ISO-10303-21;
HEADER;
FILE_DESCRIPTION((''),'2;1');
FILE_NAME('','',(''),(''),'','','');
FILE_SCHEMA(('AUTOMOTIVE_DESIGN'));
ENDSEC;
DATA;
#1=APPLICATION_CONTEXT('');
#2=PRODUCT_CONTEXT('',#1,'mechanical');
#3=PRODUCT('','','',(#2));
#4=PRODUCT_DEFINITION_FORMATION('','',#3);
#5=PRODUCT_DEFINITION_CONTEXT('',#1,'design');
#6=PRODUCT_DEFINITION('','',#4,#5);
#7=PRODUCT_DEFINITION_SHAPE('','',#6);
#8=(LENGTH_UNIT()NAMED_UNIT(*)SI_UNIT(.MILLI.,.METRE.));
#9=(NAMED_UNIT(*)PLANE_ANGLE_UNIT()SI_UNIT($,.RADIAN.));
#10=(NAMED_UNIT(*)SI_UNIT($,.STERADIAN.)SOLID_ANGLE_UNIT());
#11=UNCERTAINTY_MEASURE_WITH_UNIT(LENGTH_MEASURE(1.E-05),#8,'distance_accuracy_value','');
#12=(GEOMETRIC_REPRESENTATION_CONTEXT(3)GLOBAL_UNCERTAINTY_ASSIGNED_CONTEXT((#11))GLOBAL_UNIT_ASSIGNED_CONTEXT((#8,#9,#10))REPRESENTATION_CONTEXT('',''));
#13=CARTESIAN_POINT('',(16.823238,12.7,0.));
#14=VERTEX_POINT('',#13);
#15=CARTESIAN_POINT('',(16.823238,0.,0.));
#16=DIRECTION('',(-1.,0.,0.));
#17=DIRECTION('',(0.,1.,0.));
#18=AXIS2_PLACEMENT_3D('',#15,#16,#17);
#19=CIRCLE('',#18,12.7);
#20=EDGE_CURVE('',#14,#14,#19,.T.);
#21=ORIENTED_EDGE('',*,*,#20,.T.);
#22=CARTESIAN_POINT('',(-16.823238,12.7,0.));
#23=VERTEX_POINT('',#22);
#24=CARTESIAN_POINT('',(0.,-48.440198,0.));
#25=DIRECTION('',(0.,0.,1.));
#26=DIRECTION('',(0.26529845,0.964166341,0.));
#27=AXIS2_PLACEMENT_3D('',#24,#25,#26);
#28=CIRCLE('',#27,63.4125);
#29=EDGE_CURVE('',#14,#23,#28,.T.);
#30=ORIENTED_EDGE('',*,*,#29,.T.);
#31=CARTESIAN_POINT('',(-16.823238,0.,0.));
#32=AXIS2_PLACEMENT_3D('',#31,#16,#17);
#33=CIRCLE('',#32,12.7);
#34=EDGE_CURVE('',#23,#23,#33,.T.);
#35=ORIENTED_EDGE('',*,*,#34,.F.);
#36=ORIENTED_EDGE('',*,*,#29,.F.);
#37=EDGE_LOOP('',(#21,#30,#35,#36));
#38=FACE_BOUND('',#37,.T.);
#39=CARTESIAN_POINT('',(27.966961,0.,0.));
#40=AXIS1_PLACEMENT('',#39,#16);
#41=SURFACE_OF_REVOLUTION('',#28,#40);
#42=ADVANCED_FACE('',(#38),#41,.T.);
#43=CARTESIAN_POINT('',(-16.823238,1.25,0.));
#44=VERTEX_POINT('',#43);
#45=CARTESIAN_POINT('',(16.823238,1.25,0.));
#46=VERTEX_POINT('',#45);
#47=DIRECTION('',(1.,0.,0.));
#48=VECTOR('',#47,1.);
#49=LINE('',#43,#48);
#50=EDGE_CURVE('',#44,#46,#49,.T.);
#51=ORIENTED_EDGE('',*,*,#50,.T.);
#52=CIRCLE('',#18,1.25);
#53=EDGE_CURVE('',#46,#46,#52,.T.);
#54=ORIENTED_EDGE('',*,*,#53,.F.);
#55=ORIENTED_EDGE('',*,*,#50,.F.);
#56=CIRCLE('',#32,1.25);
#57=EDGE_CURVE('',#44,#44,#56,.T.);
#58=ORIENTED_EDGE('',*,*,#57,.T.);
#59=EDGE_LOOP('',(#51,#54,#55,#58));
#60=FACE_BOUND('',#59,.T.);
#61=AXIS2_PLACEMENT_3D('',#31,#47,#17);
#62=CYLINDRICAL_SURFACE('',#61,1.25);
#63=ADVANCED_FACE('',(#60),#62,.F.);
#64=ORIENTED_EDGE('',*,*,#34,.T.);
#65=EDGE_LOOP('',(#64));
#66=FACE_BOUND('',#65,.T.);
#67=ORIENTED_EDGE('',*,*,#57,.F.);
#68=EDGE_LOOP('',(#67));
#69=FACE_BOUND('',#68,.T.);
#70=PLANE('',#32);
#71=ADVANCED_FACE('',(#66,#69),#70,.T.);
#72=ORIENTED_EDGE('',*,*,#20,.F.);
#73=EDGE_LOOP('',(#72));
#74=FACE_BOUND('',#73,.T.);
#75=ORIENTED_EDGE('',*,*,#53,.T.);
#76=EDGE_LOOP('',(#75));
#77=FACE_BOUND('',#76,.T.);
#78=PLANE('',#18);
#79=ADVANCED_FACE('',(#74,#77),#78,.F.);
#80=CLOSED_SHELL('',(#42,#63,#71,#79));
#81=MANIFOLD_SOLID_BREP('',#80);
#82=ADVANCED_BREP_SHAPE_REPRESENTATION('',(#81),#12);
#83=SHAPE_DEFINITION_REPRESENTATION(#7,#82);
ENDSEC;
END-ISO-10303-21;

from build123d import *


with BuildPart() as part:
    # Sketch2 → Revolve1 (revolve)
    with BuildSketch(Plane.XY):
        with BuildLine():
            Line((-16.823237932, 12.7), (-16.823237932, 1.25))
            Line((-16.823237932, 1.25), (16.823237932, 1.25))
            Line((16.823237932, 1.25), (16.823237932, 12.7))
            ThreePointArc((16.823237932, 12.7), (0, 14.972301916), (-16.823237932, 12.7))
        make_face()
    revolve(axis=Axis((27.966961403, 0, 0), (-1, 0, 0)))


solid = part.part
